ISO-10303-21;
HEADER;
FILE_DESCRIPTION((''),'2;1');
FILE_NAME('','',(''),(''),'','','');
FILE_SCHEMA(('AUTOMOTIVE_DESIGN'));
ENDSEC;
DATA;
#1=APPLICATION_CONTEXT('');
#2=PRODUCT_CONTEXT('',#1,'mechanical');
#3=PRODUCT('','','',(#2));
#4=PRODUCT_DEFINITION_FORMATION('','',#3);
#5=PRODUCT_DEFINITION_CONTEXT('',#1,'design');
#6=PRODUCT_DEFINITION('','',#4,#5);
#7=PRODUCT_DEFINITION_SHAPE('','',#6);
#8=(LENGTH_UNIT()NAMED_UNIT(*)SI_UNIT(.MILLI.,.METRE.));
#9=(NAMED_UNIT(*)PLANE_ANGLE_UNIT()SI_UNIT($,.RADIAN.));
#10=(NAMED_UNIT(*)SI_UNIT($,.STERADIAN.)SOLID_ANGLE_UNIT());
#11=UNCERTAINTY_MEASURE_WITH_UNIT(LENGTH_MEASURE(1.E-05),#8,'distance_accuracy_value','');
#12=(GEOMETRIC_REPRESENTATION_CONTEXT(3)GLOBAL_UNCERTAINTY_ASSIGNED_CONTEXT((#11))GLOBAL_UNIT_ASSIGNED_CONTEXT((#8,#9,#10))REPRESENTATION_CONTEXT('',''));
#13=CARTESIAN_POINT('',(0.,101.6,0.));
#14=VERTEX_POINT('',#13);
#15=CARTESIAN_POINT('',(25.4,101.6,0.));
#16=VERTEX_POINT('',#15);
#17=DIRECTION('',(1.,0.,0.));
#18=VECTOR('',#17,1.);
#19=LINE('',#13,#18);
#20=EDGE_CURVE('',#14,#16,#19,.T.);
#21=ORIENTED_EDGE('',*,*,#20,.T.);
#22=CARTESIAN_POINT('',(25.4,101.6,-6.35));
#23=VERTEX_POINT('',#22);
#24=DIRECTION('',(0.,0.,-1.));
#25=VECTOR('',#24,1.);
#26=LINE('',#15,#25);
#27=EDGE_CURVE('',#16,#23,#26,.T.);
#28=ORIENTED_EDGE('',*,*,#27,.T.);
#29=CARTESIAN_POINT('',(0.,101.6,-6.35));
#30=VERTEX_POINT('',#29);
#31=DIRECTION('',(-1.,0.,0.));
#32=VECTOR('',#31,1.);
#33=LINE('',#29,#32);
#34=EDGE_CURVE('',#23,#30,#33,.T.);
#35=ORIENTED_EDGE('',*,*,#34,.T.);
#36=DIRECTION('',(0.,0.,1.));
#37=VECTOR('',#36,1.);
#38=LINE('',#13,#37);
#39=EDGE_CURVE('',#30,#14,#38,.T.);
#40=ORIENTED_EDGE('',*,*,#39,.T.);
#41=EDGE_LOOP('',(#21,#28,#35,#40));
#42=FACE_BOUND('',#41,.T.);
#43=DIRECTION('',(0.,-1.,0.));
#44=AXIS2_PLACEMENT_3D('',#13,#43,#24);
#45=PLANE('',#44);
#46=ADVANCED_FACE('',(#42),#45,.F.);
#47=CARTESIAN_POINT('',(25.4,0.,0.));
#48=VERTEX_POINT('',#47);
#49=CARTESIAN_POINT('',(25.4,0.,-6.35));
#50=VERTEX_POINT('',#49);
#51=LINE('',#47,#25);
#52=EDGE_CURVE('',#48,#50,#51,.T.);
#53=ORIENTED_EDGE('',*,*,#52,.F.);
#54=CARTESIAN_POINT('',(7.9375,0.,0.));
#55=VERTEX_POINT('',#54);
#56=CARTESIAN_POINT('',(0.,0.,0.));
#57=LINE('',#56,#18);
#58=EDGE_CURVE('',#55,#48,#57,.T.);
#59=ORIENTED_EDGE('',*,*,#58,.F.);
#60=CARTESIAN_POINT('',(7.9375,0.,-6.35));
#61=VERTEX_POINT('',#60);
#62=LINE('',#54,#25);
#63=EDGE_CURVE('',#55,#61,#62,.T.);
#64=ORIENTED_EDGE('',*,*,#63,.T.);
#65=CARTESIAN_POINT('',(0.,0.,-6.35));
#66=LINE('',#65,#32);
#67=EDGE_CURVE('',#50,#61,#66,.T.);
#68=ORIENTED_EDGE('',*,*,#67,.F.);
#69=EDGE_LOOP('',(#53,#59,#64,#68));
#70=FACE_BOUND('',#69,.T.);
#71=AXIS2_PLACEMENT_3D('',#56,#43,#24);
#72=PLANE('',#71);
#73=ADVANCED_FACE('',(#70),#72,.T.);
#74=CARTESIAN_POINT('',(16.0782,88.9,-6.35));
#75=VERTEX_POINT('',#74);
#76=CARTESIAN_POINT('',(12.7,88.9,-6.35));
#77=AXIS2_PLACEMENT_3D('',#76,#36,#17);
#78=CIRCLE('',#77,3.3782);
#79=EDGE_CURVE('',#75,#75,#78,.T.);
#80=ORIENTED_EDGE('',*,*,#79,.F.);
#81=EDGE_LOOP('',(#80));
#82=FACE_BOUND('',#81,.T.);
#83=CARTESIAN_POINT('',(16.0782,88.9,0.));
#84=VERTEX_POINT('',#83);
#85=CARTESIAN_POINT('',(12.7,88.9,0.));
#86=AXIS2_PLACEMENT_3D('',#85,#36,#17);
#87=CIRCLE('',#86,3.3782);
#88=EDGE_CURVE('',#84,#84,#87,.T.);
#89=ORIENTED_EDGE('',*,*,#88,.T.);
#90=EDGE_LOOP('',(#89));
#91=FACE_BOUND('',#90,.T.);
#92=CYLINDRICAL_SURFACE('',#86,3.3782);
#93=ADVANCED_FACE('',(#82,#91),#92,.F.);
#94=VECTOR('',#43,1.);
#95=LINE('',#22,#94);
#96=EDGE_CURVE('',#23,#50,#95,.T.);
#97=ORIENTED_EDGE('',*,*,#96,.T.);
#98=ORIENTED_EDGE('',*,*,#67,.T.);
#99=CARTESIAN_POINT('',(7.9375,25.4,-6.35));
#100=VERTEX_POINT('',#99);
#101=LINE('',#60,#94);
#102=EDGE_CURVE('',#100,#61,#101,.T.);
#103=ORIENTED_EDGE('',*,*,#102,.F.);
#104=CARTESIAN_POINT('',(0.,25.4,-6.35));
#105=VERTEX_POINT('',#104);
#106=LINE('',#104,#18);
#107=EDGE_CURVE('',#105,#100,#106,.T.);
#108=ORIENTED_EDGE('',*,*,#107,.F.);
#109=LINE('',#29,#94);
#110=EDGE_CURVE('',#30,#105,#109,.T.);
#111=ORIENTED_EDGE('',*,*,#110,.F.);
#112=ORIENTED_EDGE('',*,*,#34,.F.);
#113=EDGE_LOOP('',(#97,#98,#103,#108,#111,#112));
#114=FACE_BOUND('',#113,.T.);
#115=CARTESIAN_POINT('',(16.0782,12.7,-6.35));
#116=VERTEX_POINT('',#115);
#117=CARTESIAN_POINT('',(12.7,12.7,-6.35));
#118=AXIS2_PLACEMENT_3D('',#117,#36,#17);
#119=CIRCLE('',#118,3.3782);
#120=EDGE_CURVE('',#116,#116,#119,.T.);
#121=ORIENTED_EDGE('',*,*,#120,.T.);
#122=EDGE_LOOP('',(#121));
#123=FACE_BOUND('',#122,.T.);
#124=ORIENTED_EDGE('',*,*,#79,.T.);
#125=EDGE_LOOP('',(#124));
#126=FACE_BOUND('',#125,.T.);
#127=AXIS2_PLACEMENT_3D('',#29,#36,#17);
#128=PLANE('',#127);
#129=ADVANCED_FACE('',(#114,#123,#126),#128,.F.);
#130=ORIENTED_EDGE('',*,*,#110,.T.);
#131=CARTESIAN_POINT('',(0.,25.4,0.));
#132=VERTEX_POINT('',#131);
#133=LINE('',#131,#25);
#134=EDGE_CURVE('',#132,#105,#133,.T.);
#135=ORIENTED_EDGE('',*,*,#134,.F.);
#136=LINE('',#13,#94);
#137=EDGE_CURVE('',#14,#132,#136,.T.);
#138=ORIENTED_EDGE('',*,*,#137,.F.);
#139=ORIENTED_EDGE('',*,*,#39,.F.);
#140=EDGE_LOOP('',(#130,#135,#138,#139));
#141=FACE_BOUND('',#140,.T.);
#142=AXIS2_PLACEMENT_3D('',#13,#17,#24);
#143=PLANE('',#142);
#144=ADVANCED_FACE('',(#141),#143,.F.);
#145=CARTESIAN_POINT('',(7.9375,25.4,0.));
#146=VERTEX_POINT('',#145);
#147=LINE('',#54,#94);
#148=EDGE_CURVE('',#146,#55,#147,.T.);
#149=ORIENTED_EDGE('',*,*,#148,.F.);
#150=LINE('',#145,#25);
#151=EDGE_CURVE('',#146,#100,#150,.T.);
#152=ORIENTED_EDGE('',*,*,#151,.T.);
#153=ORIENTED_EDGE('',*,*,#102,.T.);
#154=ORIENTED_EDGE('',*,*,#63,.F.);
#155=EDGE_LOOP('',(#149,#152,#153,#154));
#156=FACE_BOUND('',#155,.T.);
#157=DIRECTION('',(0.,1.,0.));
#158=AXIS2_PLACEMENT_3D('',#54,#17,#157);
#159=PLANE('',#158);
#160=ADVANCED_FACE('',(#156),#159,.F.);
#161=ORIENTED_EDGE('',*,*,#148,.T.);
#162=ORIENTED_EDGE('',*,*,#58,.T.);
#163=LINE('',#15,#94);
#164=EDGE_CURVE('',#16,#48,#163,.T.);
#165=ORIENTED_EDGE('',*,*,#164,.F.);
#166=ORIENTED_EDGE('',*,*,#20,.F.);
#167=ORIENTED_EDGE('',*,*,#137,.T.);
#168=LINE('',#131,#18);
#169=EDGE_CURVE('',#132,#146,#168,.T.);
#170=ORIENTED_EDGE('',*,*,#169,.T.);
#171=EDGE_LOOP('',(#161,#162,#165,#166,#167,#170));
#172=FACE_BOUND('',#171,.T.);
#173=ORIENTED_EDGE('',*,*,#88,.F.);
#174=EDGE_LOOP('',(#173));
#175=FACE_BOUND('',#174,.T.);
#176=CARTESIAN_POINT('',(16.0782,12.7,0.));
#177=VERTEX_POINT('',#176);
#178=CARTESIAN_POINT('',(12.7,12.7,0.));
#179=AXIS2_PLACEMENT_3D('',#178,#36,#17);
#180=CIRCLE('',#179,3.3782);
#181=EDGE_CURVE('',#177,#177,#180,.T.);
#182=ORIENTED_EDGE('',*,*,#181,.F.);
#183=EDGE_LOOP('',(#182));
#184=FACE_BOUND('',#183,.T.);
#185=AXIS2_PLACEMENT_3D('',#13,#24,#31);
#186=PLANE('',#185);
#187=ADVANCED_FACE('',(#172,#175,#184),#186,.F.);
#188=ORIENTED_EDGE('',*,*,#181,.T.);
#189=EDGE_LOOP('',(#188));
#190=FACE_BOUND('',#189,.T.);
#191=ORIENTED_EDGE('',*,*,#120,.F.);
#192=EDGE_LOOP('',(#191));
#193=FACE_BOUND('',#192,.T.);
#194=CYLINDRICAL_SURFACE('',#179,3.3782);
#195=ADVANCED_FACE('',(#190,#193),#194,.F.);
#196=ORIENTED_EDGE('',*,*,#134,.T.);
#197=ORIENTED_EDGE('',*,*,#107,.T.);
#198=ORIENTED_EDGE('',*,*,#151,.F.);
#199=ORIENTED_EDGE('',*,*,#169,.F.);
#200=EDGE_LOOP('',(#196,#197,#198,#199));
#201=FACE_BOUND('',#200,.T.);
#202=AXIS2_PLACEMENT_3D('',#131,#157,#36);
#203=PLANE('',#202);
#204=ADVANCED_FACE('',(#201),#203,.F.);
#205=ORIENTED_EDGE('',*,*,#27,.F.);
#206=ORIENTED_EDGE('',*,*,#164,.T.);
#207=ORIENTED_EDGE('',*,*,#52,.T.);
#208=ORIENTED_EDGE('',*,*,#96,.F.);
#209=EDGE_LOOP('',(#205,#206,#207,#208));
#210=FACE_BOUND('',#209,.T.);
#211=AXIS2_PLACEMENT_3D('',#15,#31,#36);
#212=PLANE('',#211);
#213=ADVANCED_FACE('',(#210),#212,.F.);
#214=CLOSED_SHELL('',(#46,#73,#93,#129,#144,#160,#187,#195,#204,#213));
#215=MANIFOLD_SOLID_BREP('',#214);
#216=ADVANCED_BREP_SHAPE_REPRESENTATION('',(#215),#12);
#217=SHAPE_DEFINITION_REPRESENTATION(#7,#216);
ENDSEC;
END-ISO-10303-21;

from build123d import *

# Parameters (mm, degrees)
SKETCH1_W                    = 25.4
SKETCH1_H                    = 6.35
BOSS_EXTRUDE1_DEPTH          = 101.6
H_0_266_DIAMETER_HOLE1_D     = 6.7564
H_0_266_DIAMETER_HOLE1_DEPTH = 6.35
SKETCH4_W                    = 7.9375
SKETCH4_H                    = 25.4
CUT_EXTRUDE1_DEPTH           = 7.35


with BuildPart() as part:
    # Sketch1 → Boss-Extrude1 (new body)
    with BuildSketch(Plane(origin=(0, 0, 0), x_dir=(1, 0, 0), z_dir=(0, 1, 0))):
        with Locations((12.7, 3.175)):
            Rectangle(SKETCH1_W, SKETCH1_H)
    extrude(amount=BOSS_EXTRUDE1_DEPTH)

    # H (0.266) Diameter Hole1
    with Locations(Plane.XY):
        with Locations((12.7, 88.9), (12.7, 12.7)):
            Hole(H_0_266_DIAMETER_HOLE1_D / 2, depth=H_0_266_DIAMETER_HOLE1_DEPTH)

    # Sketch4 → Cut-Extrude1 (cut, through all)
    with BuildSketch(Plane(origin=(0, 0, -6.35), x_dir=(-1, 0, 0), z_dir=(0, 0, -1))):
        with Locations((-3.96875, 12.7)):
            Rectangle(SKETCH4_W, SKETCH4_H)
    extrude(amount=-CUT_EXTRUDE1_DEPTH, mode=Mode.SUBTRACT)


solid = part.part
